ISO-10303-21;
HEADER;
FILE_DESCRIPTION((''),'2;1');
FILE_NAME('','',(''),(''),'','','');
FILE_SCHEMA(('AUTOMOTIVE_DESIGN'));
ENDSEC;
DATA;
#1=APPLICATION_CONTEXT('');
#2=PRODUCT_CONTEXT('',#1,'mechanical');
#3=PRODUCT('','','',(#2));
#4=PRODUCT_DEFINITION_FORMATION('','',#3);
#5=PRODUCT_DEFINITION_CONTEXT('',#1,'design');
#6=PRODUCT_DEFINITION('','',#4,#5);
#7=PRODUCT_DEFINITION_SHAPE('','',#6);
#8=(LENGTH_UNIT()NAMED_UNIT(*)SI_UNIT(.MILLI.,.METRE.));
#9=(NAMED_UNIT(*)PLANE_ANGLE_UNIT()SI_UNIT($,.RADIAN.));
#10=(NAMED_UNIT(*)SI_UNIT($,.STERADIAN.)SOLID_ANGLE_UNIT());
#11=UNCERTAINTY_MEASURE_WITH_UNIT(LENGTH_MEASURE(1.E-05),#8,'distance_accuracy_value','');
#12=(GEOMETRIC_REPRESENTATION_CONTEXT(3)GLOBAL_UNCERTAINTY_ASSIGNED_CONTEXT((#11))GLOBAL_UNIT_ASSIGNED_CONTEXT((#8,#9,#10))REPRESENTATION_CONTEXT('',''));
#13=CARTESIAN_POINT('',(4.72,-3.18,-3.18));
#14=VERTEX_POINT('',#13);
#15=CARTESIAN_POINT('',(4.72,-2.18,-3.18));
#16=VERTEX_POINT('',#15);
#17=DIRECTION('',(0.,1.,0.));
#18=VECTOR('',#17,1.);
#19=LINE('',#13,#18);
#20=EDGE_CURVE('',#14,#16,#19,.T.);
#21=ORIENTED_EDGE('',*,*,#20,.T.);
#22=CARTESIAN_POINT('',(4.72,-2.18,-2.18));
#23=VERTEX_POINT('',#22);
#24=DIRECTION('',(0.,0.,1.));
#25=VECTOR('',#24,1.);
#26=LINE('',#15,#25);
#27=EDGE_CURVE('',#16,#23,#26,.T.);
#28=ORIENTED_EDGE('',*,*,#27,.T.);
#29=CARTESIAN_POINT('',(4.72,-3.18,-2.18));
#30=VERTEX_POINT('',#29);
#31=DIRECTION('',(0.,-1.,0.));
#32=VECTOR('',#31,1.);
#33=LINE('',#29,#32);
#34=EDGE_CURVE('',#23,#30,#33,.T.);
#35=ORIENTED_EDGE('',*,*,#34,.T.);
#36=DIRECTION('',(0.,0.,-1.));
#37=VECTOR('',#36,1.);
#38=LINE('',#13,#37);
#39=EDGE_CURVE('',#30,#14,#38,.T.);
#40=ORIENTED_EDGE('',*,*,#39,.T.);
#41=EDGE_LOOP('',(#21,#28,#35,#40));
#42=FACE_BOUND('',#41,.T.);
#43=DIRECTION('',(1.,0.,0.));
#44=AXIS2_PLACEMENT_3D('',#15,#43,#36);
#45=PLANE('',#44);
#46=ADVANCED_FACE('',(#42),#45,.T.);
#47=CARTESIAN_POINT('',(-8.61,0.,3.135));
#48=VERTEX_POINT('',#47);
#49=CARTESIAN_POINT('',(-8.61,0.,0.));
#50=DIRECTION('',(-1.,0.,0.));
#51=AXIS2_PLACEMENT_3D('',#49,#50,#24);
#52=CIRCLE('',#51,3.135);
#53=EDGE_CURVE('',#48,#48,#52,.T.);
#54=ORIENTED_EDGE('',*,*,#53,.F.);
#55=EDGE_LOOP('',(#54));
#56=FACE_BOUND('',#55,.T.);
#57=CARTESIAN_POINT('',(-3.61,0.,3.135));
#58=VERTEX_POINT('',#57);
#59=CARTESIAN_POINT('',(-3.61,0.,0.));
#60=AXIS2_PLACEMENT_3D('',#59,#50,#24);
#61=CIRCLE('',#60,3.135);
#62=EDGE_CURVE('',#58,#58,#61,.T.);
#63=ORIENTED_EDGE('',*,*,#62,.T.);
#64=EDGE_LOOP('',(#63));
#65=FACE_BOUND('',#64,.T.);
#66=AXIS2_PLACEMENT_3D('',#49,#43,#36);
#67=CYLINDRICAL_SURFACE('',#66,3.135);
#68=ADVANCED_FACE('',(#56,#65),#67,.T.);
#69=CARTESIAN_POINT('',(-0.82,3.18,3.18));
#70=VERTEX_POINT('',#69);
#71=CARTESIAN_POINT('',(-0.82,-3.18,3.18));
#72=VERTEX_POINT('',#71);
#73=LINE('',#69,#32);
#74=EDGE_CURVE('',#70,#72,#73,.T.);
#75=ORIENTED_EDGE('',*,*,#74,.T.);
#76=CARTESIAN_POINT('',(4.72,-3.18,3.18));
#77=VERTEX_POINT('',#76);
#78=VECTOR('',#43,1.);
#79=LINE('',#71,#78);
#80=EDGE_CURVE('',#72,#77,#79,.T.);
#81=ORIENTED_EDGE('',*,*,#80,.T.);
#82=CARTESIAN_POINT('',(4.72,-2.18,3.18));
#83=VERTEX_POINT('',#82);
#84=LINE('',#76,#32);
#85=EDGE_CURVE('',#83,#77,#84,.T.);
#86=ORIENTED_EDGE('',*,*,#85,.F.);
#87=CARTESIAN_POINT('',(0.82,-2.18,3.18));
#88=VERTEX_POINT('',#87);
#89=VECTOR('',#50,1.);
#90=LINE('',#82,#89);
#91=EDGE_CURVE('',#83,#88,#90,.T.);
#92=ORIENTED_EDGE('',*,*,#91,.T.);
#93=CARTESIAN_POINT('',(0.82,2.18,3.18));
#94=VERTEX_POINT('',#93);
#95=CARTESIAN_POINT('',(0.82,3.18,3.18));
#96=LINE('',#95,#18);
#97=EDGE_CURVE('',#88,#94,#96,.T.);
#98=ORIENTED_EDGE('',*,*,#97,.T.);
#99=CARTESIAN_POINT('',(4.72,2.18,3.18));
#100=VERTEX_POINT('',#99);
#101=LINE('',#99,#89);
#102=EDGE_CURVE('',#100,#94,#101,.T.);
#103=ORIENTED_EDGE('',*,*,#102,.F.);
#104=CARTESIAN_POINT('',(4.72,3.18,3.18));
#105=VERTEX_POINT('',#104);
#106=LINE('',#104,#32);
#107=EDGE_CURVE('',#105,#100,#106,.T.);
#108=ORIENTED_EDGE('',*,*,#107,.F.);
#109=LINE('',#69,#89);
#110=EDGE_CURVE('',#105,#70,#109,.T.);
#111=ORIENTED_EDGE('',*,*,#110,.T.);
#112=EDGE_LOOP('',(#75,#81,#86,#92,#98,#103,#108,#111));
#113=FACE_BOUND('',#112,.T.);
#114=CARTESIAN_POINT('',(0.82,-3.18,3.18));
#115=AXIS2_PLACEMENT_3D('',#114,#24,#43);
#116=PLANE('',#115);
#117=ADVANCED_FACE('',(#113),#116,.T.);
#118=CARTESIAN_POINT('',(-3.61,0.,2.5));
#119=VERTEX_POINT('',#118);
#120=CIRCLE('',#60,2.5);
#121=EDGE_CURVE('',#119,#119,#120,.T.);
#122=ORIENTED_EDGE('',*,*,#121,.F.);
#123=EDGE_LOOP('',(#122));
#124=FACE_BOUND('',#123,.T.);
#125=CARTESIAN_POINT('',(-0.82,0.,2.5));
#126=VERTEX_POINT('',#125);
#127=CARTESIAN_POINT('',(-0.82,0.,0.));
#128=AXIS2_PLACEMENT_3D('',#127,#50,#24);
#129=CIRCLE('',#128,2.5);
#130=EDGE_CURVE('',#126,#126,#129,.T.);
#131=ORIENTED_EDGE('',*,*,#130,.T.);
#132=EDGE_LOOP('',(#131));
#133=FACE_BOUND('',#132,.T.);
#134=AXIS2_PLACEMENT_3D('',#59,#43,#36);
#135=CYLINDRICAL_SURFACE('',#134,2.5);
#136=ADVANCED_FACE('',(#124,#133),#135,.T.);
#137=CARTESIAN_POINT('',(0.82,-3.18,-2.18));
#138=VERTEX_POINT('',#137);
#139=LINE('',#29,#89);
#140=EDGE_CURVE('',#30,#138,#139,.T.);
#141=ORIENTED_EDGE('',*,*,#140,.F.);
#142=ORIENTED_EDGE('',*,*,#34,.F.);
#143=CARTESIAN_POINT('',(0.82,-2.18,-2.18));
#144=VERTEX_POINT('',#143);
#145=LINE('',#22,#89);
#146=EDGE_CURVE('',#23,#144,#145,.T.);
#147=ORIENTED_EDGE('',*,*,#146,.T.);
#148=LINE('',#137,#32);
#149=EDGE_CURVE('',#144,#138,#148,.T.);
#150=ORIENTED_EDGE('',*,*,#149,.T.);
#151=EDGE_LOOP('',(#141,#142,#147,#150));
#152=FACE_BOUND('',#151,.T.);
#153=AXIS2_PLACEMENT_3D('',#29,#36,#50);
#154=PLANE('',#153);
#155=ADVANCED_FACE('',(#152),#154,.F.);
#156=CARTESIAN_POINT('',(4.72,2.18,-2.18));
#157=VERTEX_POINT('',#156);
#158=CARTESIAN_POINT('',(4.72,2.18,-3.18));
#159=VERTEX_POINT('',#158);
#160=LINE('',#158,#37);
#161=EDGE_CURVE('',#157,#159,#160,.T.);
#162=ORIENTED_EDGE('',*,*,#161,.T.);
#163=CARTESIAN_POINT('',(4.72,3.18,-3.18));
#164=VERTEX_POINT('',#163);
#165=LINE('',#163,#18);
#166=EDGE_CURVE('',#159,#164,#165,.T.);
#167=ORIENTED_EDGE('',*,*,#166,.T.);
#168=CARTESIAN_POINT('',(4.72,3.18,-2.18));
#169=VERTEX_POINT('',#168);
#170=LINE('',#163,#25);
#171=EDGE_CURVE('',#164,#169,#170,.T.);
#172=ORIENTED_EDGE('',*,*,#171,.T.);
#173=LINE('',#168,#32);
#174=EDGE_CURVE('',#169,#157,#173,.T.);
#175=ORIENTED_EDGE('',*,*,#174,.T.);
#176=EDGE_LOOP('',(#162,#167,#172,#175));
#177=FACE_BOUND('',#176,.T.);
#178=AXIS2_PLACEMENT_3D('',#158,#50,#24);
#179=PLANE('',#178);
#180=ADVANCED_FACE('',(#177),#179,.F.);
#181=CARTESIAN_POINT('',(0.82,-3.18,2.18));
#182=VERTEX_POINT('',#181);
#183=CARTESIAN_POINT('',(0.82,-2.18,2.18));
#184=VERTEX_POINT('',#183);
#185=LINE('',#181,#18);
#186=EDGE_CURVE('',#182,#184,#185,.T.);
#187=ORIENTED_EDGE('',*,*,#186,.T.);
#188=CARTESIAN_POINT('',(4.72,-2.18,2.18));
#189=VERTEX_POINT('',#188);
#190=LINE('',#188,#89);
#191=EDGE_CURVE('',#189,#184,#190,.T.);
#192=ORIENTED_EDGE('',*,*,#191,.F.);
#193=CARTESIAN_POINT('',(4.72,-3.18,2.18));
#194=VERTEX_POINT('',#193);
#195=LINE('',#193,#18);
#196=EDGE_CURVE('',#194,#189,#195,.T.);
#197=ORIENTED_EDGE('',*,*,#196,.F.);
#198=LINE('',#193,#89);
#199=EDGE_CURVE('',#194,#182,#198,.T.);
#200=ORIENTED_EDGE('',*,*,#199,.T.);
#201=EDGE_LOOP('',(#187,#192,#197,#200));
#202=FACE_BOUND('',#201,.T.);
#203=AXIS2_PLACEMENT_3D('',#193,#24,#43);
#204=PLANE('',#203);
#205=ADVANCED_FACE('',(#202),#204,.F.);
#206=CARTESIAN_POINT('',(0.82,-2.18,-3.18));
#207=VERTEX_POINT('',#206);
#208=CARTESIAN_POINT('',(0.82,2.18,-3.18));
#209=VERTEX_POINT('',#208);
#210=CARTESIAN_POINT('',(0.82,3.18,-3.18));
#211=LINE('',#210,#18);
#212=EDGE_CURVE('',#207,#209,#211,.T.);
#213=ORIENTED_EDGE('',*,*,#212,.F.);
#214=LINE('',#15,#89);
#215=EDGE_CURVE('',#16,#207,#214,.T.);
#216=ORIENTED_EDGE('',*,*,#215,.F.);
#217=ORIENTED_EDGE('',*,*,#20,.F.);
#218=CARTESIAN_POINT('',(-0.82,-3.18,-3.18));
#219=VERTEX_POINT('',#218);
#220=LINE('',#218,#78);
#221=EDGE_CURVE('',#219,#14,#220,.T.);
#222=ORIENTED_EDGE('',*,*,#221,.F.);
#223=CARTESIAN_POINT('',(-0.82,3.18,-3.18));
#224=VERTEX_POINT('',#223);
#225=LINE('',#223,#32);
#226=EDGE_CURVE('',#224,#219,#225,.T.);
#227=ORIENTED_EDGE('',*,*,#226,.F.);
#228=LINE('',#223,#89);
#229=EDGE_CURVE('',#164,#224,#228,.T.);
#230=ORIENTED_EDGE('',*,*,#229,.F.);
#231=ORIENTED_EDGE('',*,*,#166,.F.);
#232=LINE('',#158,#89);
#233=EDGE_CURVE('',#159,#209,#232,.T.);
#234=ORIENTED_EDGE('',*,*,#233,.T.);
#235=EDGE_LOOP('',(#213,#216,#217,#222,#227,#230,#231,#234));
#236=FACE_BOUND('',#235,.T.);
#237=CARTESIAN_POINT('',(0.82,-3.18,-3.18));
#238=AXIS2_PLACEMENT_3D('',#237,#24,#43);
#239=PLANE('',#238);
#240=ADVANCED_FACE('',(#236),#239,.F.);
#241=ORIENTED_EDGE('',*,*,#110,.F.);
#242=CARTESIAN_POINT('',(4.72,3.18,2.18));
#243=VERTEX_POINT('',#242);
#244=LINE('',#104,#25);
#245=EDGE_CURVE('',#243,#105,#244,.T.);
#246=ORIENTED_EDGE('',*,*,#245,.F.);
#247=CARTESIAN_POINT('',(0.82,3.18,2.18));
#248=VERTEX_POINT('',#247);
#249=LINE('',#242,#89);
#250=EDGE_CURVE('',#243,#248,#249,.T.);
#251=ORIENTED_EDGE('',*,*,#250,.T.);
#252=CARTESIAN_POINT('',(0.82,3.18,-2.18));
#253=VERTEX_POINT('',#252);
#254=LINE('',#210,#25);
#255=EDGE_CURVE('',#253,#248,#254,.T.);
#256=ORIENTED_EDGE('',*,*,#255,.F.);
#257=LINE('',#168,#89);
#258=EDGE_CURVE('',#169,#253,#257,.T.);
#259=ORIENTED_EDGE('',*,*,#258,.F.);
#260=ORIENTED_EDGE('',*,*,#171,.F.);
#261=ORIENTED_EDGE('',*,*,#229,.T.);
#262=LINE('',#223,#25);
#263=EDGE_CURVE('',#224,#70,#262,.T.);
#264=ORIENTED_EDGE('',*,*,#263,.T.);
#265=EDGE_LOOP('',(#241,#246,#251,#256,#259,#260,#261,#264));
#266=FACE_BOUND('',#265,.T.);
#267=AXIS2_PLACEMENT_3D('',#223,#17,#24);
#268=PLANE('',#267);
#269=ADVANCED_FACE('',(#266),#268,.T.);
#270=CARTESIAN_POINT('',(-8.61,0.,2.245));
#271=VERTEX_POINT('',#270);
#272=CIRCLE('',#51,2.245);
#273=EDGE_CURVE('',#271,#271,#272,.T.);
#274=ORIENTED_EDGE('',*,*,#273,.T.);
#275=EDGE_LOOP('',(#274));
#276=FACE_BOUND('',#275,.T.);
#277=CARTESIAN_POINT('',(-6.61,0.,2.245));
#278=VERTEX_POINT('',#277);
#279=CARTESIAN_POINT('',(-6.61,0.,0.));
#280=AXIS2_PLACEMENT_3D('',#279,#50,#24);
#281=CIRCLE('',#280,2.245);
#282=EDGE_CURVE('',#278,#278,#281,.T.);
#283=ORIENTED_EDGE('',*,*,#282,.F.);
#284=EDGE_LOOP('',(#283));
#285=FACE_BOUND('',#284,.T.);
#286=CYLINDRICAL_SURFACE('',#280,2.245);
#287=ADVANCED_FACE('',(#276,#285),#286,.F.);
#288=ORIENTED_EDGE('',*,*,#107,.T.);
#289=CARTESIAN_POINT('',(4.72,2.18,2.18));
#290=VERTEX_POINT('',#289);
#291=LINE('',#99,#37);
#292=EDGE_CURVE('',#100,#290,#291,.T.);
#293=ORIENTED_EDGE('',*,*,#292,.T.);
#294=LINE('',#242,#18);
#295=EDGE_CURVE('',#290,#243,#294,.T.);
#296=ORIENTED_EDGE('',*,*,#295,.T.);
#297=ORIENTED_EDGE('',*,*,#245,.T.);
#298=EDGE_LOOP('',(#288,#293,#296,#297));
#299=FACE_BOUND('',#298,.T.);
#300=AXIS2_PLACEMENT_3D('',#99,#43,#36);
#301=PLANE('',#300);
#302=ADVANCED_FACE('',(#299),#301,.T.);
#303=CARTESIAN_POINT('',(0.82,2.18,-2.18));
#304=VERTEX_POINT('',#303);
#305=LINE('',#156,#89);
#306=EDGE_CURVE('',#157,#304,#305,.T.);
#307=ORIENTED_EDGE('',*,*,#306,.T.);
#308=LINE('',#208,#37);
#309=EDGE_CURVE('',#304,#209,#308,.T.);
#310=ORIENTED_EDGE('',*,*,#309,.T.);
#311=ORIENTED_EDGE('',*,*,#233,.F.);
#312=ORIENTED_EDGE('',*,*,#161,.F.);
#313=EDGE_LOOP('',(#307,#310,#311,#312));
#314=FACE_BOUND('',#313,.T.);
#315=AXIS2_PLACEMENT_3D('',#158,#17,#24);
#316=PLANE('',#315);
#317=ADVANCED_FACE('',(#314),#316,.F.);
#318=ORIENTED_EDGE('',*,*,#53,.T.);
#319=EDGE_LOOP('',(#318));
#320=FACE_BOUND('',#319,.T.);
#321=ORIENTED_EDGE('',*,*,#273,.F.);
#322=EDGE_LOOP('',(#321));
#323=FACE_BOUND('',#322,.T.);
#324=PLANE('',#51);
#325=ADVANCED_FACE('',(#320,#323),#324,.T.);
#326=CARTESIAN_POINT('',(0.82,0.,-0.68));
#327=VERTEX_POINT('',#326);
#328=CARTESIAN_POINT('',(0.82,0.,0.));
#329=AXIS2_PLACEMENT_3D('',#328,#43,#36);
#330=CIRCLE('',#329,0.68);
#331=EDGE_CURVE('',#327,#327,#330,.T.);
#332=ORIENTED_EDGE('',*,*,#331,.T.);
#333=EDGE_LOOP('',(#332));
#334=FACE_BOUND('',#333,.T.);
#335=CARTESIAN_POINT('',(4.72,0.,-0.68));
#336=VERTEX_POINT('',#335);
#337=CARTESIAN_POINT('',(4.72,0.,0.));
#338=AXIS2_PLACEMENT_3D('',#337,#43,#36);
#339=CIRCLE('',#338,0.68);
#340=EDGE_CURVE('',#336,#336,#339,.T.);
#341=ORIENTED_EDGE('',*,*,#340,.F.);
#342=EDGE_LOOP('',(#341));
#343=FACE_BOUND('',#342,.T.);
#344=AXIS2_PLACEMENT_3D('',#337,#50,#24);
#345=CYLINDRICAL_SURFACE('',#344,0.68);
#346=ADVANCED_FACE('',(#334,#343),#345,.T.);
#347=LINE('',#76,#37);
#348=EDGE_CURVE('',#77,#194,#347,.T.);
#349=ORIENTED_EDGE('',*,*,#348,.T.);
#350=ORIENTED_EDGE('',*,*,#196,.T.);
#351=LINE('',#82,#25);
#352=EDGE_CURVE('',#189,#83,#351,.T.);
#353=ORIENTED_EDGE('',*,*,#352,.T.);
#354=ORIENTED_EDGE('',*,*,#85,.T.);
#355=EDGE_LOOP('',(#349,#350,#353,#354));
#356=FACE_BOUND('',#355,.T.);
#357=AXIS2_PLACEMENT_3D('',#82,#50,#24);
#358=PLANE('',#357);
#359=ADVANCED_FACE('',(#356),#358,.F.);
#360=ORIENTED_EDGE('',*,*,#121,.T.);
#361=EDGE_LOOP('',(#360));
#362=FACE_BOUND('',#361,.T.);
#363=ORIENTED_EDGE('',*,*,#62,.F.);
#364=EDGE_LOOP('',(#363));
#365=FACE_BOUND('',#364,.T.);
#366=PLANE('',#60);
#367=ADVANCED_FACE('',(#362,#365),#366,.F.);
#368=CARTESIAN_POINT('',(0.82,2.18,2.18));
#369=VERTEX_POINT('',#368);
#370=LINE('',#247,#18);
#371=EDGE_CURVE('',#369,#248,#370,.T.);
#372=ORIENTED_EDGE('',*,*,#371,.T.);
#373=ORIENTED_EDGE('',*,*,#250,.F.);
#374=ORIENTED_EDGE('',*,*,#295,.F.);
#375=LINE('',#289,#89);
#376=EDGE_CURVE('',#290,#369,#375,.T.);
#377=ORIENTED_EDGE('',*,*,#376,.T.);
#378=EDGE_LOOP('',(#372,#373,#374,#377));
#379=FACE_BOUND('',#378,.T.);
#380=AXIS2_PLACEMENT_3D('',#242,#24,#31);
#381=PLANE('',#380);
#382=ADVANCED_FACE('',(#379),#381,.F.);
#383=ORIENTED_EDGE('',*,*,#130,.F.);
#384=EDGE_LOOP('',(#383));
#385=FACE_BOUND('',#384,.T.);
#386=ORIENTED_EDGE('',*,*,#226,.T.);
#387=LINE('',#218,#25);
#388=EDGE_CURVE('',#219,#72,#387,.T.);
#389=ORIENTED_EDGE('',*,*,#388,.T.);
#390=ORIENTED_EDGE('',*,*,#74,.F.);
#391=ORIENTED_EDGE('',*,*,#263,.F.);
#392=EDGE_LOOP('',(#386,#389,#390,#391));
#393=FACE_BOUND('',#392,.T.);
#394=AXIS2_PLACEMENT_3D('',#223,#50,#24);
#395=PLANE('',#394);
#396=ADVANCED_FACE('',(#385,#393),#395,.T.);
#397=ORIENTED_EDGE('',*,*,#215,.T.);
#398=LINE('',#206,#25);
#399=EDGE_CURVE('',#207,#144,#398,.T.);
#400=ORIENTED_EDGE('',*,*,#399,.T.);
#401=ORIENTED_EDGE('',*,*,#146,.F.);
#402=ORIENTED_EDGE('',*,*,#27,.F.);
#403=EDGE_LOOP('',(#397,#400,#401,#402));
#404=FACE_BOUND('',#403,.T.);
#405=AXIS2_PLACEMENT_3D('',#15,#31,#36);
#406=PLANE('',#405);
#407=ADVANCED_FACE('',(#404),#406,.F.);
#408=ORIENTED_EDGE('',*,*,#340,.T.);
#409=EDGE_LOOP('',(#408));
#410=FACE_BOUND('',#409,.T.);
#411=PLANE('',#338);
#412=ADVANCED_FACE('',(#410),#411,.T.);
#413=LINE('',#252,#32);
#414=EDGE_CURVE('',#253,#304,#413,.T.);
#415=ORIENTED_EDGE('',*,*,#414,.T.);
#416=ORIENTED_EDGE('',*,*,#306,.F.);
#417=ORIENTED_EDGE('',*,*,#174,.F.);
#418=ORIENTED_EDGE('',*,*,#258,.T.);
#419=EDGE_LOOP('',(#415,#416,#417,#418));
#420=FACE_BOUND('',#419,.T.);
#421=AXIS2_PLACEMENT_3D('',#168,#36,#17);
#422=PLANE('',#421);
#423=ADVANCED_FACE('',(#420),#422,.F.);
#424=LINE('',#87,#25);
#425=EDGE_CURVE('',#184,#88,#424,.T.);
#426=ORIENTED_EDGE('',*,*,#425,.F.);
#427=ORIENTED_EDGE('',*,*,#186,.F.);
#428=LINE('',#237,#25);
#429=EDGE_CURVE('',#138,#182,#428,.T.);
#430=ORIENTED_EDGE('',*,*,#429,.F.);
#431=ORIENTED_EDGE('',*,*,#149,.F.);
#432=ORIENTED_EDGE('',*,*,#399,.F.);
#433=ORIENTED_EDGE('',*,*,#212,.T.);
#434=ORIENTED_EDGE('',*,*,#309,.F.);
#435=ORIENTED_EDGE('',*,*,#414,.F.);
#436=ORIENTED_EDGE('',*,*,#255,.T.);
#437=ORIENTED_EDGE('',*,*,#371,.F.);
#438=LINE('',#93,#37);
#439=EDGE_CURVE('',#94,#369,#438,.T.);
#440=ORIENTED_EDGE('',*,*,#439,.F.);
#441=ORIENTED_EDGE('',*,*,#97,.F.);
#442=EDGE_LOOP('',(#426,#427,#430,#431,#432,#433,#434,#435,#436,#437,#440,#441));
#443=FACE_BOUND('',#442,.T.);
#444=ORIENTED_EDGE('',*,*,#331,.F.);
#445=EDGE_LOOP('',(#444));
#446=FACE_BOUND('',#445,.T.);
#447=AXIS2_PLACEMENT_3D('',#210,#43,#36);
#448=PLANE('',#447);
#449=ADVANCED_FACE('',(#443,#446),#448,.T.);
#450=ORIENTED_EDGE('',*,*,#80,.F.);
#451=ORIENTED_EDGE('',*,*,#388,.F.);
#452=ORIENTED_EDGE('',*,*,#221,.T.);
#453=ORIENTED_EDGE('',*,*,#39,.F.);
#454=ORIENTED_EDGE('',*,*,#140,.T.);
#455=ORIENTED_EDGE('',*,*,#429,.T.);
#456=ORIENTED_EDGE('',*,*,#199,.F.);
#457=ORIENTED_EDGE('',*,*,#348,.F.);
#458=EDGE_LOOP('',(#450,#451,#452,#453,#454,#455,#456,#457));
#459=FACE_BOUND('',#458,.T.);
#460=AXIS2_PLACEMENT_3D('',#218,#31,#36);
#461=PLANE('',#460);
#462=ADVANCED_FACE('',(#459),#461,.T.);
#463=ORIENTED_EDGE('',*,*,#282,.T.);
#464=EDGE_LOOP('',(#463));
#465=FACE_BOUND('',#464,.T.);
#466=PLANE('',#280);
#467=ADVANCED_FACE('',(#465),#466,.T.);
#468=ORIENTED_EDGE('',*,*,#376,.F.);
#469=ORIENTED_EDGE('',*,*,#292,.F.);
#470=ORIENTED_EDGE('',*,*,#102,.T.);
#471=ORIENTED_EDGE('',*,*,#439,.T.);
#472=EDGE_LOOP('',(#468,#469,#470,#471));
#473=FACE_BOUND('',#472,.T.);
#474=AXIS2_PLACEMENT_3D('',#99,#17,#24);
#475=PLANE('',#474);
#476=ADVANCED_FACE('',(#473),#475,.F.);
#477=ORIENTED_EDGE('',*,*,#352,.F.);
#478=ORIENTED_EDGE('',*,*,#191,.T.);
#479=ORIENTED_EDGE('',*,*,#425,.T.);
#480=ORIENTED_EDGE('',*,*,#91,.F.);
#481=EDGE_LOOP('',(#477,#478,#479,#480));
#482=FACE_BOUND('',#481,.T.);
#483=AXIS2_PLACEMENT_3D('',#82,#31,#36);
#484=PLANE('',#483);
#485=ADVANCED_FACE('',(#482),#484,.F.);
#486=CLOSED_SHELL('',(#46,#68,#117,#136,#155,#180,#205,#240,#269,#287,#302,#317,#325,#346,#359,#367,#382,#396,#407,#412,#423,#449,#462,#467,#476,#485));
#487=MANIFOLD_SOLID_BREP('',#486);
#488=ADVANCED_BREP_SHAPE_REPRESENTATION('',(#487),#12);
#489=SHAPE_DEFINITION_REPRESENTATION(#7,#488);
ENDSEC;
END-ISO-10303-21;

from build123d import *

# Parameters (mm, degrees)
BOSS_EXTRUDE1_DEPTH      = 3.18
BOSS_EXTRUDE1_DEPTH_BACK = 3.18
SKETCH1_W                = 1.64
SKETCH1_H                = 6.36
SKETCH2_R                = 2.5
BOSS_EXTRUDE2_DEPTH      = 2.79
SKETCH3_R                = 3.135
BOSS_EXTRUDE3_DEPTH      = 5
SKETCH4_W                = 1
SKETCH4_H                = 1
BOSS_EXTRUDE4_DEPTH      = 3.9
SKETCH5_R                = 0.68
BOSS_EXTRUDE5_DEPTH      = 3.9
SKETCH6_R                = 2.245
CUT_EXTRUDE1_DEPTH       = 2


with BuildPart() as part:
    # Sketch1 → Boss-Extrude1 (new, two sides: drawn at the far end of the back side and taken through both)
    with BuildSketch(Plane.XY.offset(-BOSS_EXTRUDE1_DEPTH_BACK)):
        Rectangle(SKETCH1_W, SKETCH1_H)
    extrude(amount=BOSS_EXTRUDE1_DEPTH + BOSS_EXTRUDE1_DEPTH_BACK)

    # Sketch2 → Boss-Extrude2 (add)
    with BuildSketch(Plane.ZY.offset(0.82)):
        Circle(SKETCH2_R)
    extrude(amount=BOSS_EXTRUDE2_DEPTH)

    # Sketch3 → Boss-Extrude3 (add)
    with BuildSketch(Plane.ZY.offset(3.61)):
        Circle(SKETCH3_R)
    extrude(amount=BOSS_EXTRUDE3_DEPTH)

    # Sketch4 → Boss-Extrude4 (add)
    with BuildSketch(Plane(origin=(0.82, 0, 0), x_dir=(0, 0, -1), z_dir=(1, 0, 0))):
        with Locations((-2.68, 2.68)):
            Rectangle(SKETCH4_W, SKETCH4_H)
        with Locations((2.68, 2.68)):
            Rectangle(SKETCH4_W, SKETCH4_H)
        with Locations((-2.68, -2.68)):
            Rectangle(SKETCH4_W, SKETCH4_H)
        with Locations((2.68, -2.68)):
            Rectangle(SKETCH4_W, SKETCH4_H)
    extrude(amount=BOSS_EXTRUDE4_DEPTH)

    # Sketch5 → Boss-Extrude5 (add)
    with BuildSketch(Plane(origin=(0.82, 0, 0), x_dir=(0, 0, -1), z_dir=(1, 0, 0))):
        Circle(SKETCH5_R)
    extrude(amount=BOSS_EXTRUDE5_DEPTH)

    # Sketch6 → Cut-Extrude1 (cut)
    with BuildSketch(Plane.ZY.offset(8.61)):
        Circle(SKETCH6_R)
    extrude(amount=-CUT_EXTRUDE1_DEPTH, mode=Mode.SUBTRACT)


solid = part.part
